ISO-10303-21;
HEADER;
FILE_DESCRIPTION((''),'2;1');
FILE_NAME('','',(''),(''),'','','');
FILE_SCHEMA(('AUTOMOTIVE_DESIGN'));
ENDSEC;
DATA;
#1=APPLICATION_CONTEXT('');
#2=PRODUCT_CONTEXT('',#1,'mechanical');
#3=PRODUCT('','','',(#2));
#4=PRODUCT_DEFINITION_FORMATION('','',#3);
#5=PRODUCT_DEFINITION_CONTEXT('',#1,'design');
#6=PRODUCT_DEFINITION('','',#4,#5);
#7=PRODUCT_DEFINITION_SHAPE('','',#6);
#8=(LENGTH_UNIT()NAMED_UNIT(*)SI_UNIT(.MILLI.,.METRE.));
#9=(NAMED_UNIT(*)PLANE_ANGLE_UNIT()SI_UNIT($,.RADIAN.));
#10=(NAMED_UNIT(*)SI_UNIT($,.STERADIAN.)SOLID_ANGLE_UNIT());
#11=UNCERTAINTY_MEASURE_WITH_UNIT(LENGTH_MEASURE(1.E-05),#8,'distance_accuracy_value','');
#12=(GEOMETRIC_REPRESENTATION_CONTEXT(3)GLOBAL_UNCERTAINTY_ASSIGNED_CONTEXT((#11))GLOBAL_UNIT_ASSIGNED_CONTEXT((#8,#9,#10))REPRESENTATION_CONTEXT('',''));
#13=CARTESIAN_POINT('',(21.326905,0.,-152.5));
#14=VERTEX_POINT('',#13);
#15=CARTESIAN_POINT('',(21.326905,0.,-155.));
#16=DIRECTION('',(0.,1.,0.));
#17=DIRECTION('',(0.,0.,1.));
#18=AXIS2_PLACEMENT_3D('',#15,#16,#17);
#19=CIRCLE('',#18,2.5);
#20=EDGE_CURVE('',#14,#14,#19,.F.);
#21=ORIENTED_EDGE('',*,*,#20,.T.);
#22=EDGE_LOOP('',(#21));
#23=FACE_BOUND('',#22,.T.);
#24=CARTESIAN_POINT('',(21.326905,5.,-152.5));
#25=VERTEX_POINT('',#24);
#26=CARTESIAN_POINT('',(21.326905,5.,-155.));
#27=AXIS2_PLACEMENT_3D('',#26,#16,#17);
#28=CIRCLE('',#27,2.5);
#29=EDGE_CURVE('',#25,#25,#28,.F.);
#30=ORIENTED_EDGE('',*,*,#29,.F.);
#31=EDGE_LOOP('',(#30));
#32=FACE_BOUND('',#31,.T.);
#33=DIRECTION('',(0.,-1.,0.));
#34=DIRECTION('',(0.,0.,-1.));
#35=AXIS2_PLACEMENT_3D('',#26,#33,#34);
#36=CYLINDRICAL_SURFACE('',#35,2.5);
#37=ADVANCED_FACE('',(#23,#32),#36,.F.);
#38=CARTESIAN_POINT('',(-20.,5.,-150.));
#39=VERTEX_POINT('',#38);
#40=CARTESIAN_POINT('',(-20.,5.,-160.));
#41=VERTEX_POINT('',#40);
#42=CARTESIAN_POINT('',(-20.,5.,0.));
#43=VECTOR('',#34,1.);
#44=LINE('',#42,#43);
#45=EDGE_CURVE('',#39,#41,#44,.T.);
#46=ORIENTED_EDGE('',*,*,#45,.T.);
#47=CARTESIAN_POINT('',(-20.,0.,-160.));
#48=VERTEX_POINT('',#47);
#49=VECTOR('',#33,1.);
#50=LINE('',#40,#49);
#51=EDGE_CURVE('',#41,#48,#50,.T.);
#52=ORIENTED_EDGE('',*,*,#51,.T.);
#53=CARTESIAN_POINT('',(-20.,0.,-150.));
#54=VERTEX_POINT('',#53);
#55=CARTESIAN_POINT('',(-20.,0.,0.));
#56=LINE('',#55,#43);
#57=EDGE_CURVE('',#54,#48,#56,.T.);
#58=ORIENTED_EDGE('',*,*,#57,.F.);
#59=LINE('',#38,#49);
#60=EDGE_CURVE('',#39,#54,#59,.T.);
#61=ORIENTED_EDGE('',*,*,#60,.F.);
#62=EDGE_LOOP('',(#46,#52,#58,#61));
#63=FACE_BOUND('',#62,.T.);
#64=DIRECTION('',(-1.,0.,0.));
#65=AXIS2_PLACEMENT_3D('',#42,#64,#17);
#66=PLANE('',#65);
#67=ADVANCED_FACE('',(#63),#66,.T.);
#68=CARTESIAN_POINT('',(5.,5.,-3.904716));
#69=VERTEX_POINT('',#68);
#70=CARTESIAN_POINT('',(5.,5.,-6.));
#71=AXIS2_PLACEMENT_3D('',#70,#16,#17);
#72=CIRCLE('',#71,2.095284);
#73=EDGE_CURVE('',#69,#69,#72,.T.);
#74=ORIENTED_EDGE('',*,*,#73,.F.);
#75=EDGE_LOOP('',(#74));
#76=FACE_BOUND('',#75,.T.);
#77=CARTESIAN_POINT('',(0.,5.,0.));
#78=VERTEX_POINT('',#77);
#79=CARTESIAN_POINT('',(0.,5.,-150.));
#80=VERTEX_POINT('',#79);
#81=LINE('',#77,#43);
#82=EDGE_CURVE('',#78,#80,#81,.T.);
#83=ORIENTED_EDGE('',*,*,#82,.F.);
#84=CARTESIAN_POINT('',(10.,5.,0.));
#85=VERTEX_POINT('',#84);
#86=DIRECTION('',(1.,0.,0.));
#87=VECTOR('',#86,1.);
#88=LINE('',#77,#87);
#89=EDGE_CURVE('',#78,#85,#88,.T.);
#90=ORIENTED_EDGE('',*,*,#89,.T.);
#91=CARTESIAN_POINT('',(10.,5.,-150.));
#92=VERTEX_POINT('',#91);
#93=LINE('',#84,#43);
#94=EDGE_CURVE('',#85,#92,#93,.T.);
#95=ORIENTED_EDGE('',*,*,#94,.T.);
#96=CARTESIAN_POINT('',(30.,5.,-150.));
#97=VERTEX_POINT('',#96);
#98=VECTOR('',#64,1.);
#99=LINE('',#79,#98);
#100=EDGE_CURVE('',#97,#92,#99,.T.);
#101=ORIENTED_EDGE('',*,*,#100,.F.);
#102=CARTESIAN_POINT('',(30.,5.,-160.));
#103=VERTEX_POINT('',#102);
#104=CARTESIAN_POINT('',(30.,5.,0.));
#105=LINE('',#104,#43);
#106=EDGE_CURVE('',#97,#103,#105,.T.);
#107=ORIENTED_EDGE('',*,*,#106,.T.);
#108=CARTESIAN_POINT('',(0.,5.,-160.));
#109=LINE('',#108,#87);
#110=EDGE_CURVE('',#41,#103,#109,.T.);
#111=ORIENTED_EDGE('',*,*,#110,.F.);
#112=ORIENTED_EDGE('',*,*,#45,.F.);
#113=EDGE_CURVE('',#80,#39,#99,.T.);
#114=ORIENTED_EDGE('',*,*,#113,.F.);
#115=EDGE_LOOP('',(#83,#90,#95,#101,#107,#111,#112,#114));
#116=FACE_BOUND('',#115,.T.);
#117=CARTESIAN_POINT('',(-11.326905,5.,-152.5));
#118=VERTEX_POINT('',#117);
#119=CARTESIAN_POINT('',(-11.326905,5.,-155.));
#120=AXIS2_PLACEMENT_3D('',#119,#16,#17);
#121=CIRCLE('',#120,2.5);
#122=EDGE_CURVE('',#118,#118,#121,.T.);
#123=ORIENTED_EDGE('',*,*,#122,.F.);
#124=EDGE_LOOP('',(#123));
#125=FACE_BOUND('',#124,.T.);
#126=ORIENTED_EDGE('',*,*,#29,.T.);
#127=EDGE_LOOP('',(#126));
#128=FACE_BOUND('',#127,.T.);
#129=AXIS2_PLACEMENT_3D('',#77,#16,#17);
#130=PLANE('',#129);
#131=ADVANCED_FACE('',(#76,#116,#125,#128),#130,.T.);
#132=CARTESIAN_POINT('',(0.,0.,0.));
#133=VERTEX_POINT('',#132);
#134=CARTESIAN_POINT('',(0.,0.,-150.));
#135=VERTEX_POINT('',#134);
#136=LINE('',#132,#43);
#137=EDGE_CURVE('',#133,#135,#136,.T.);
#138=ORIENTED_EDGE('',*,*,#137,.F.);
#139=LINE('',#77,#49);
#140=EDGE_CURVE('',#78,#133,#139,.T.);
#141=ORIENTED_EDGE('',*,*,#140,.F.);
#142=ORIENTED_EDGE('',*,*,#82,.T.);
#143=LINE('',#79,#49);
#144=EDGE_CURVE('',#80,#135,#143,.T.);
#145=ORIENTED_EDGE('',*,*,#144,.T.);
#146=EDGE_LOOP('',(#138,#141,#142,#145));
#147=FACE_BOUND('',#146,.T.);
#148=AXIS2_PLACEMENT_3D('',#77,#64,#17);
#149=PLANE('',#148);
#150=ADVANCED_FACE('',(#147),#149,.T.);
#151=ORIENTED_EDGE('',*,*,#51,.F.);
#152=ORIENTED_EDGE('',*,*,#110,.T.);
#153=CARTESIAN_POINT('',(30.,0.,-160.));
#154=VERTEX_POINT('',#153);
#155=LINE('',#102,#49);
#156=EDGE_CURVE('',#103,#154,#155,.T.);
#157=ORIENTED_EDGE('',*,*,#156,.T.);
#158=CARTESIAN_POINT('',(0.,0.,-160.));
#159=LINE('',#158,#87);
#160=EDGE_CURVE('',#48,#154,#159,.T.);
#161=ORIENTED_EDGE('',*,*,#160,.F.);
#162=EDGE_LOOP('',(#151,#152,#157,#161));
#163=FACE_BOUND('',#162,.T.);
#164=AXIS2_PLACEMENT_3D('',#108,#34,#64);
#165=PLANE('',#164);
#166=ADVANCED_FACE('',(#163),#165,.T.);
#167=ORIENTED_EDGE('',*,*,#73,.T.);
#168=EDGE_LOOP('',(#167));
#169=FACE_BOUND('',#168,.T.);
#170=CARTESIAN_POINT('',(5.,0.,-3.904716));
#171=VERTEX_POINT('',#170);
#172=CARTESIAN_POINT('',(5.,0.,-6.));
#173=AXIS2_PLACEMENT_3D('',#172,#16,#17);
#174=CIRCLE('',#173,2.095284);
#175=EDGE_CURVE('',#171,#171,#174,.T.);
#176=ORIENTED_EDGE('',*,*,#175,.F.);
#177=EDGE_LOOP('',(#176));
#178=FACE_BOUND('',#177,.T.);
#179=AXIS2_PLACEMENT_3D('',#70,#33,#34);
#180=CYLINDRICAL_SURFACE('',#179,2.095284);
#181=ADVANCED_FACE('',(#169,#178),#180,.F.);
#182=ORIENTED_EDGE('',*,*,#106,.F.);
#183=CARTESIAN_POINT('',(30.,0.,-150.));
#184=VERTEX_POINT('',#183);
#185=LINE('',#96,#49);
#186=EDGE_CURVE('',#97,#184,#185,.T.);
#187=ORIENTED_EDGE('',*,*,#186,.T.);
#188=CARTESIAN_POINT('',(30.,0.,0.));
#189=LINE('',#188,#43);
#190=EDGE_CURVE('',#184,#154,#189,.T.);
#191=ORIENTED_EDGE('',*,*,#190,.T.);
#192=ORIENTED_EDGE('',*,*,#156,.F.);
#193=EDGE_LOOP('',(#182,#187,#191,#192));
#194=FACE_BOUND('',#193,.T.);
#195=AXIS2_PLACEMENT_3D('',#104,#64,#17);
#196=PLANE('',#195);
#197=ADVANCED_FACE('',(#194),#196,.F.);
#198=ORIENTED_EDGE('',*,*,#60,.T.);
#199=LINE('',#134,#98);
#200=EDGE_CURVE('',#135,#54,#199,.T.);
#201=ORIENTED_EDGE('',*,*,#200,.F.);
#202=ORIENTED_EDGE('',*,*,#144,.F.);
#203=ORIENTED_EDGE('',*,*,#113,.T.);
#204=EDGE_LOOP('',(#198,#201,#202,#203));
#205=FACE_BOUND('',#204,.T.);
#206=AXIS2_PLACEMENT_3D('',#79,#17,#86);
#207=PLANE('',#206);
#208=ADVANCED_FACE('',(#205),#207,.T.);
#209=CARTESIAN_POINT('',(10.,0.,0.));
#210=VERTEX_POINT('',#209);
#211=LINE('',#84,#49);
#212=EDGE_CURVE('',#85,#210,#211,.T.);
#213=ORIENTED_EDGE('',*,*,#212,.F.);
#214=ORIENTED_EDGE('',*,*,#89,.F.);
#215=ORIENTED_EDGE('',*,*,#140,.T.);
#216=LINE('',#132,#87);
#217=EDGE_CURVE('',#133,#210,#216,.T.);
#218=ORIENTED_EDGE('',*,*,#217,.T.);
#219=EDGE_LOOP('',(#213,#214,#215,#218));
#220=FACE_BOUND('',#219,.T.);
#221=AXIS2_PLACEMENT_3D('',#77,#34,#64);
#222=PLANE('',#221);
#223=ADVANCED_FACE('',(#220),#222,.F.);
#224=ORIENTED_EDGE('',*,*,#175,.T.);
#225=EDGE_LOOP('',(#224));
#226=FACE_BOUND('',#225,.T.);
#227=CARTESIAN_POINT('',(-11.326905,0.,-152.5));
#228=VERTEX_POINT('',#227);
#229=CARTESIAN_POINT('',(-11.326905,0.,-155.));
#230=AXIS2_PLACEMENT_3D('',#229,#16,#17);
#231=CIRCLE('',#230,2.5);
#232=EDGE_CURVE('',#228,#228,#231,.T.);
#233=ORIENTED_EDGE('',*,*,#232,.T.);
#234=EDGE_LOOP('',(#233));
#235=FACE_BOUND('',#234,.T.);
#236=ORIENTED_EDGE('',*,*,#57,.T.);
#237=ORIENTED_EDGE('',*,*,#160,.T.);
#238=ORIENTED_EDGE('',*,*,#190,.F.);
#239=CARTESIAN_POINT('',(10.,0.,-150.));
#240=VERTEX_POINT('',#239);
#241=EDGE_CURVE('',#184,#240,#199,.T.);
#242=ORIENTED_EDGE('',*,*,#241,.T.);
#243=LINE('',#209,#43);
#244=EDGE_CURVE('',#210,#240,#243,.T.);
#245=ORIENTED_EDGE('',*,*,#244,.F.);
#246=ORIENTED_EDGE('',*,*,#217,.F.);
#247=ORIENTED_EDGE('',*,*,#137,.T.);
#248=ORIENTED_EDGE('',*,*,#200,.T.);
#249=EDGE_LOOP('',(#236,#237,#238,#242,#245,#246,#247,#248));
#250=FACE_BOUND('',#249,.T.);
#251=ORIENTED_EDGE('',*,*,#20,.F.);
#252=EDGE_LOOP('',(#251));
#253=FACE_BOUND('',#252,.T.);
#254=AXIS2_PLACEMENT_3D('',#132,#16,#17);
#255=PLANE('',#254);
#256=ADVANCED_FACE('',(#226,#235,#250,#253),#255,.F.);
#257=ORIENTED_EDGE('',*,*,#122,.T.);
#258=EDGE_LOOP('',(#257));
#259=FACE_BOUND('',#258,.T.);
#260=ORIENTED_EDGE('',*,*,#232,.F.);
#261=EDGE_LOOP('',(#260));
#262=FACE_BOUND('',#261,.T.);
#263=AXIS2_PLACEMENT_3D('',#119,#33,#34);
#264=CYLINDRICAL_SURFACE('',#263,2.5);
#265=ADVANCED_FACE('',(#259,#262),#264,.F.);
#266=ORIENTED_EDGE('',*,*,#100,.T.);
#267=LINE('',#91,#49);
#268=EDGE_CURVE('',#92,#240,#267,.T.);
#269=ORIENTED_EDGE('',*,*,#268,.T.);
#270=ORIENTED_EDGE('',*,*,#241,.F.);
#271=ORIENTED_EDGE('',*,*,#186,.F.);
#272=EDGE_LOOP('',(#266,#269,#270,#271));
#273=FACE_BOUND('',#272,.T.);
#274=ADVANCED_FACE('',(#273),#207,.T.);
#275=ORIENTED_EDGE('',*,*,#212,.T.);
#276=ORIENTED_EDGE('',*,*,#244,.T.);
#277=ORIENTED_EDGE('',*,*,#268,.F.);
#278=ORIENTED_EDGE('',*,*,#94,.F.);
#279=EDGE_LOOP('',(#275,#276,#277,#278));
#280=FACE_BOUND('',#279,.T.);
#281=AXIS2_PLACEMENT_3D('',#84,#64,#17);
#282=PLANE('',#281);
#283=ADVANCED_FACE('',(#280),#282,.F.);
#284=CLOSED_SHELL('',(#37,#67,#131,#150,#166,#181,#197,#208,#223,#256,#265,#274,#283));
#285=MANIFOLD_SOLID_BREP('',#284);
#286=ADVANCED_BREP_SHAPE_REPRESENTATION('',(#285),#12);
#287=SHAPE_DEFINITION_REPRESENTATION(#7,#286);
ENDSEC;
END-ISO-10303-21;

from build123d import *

# Parameters (mm, degrees)
SKETCH1_R           = 2.5
SKETCH1_R_2         = 2.095284192
BOSS_EXTRUDE1_DEPTH = 5


with BuildPart() as part:
    # Sketch1 → Boss-Extrude1 (new body)
    with BuildSketch(Plane(origin=(0, 0, 0), x_dir=(1, 0, 0), z_dir=(0, 1, 0))):
        Polygon((0, 0), (0, 150), (-20, 150), (-20, 160), (10, 160), (30, 160), (30, 150), (20, 150), (10, 150), (10, 0), align=None)
        with Locations(Location((-11.326905487, 155, 0), (0, 0, 270))):
            Circle(SKETCH1_R, mode=Mode.SUBTRACT)
        with Locations(Location((21.326905487, 155, 0), (0, 0, 270))):
            Circle(SKETCH1_R, mode=Mode.SUBTRACT)
        with Locations(Location((5, 6, 0), (0, 0, 270))):
            Circle(SKETCH1_R_2, mode=Mode.SUBTRACT)
    extrude(amount=BOSS_EXTRUDE1_DEPTH)


solid = part.part
